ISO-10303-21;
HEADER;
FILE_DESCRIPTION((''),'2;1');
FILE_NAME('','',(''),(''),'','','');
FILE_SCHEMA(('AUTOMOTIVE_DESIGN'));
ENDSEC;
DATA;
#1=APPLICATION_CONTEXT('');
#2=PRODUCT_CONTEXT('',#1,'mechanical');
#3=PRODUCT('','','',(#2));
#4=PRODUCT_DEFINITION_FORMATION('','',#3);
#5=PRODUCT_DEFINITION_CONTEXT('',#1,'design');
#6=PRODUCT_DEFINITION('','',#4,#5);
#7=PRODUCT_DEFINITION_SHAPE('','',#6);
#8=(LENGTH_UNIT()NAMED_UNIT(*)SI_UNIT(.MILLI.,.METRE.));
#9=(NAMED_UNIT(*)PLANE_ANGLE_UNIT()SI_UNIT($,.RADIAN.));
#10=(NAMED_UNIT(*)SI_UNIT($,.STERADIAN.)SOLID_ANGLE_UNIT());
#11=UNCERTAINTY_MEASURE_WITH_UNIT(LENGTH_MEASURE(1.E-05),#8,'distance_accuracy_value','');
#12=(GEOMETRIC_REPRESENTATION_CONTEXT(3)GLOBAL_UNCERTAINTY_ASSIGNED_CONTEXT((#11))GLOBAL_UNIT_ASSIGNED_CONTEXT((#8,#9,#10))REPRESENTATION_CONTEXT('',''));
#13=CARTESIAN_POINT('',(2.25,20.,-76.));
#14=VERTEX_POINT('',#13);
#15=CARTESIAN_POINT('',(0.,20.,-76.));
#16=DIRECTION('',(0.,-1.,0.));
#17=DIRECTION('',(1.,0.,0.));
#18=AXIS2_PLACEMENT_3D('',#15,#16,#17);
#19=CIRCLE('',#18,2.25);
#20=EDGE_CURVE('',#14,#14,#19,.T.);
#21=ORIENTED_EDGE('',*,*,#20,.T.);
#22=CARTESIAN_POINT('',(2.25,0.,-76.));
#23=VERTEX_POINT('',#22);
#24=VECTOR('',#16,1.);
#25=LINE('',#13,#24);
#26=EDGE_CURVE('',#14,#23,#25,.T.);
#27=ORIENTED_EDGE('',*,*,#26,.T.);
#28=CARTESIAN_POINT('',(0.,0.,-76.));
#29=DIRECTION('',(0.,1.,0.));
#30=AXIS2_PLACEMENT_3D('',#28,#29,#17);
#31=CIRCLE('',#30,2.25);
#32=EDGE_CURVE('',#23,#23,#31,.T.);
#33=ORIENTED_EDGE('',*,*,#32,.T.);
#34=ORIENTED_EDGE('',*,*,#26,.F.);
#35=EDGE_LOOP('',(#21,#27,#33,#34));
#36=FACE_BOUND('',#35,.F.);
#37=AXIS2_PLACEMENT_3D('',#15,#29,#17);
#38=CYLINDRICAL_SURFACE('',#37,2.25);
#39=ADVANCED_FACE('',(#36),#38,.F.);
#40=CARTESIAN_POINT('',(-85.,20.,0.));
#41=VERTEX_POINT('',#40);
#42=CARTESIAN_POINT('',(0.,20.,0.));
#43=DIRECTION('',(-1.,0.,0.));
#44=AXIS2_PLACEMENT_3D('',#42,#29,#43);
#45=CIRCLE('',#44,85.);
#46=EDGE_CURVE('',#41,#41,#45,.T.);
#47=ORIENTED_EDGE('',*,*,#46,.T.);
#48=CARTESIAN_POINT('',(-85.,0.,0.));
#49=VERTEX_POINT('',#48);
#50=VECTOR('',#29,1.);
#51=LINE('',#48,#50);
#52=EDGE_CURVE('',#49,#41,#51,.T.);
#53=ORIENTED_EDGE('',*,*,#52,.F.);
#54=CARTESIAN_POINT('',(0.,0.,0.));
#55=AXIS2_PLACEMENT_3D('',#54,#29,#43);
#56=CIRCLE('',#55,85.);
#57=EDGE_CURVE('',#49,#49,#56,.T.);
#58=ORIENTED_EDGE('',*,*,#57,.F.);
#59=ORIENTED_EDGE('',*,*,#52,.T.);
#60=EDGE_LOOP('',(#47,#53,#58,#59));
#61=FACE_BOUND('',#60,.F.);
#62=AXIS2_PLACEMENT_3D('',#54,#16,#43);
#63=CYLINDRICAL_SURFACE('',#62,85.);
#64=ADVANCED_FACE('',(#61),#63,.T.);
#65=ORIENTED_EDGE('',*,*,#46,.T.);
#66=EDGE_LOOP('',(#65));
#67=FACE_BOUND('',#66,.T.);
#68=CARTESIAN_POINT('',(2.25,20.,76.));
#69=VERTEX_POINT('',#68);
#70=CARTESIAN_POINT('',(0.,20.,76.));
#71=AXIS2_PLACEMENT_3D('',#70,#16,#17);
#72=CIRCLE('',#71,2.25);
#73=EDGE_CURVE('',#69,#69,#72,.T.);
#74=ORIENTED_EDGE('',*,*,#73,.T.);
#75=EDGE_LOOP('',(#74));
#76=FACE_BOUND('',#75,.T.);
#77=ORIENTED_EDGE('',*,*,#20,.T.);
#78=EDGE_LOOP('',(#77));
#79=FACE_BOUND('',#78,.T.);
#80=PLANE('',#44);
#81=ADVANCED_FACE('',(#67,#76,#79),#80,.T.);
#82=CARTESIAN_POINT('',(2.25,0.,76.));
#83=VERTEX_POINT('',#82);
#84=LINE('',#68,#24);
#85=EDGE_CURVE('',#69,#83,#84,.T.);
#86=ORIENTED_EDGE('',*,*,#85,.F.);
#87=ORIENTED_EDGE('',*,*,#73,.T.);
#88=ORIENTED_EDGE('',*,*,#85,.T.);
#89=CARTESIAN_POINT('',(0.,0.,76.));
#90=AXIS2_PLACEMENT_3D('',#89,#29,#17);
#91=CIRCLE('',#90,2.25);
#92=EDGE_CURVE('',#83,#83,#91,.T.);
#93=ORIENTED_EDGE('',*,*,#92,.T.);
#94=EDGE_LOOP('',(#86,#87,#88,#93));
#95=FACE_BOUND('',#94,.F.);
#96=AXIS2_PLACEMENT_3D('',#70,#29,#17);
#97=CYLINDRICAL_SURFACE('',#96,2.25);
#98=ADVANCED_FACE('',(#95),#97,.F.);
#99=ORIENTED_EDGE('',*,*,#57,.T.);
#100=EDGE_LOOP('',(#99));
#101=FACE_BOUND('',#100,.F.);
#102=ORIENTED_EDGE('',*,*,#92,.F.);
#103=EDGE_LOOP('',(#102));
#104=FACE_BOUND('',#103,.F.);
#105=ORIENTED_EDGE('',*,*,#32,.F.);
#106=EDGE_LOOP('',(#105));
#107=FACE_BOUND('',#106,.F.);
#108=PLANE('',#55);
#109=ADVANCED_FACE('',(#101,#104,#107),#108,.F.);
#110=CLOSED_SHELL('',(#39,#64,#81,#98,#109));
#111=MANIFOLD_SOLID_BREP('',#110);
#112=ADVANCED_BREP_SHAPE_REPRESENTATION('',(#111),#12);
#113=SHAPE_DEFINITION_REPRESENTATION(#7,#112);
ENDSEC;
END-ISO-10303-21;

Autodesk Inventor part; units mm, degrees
ref_plane "YZ Plane" through (0, 0, 0) normal (1, 0, 0) x (0, 1, 0)
ref_plane "XZ Plane" through (0, 0, 0) normal (0, 1, 0) x (-1, 0, 0)
ref_plane "XY Plane" through (0, 0, 0) normal (0, 0, 1) x (1, 0, 0)
sketch "Sketch1" plane through (0, 0, 0) normal (0, 1, 0) x (-1, 0, 0)
  circle A0 centre (0, 0) radius 85
  dimension "d0" = 170
extrude "Extrusion1" add sketch "Sketch1" along normal blind 20
sketch "Sketch2" plane through (0, 20, 0) normal (0, 1, 0) x (1, 0, 0)
  circle A0 centre (0, 0) radius 76
  circle A1 centre (0, 76) radius 2.25
  circle A2 centre (0, -76) radius 2.25
  dimension "d3" = 152
  dimension "d4" = 4.5
  dimension "d5" = 4.5
extrude "Extrusion2" cut sketch "Sketch2" against normal blind 20 contours A1 A0 | A0 A1 | A2 A0 | A0 A2
properties part number "Build Plate"
